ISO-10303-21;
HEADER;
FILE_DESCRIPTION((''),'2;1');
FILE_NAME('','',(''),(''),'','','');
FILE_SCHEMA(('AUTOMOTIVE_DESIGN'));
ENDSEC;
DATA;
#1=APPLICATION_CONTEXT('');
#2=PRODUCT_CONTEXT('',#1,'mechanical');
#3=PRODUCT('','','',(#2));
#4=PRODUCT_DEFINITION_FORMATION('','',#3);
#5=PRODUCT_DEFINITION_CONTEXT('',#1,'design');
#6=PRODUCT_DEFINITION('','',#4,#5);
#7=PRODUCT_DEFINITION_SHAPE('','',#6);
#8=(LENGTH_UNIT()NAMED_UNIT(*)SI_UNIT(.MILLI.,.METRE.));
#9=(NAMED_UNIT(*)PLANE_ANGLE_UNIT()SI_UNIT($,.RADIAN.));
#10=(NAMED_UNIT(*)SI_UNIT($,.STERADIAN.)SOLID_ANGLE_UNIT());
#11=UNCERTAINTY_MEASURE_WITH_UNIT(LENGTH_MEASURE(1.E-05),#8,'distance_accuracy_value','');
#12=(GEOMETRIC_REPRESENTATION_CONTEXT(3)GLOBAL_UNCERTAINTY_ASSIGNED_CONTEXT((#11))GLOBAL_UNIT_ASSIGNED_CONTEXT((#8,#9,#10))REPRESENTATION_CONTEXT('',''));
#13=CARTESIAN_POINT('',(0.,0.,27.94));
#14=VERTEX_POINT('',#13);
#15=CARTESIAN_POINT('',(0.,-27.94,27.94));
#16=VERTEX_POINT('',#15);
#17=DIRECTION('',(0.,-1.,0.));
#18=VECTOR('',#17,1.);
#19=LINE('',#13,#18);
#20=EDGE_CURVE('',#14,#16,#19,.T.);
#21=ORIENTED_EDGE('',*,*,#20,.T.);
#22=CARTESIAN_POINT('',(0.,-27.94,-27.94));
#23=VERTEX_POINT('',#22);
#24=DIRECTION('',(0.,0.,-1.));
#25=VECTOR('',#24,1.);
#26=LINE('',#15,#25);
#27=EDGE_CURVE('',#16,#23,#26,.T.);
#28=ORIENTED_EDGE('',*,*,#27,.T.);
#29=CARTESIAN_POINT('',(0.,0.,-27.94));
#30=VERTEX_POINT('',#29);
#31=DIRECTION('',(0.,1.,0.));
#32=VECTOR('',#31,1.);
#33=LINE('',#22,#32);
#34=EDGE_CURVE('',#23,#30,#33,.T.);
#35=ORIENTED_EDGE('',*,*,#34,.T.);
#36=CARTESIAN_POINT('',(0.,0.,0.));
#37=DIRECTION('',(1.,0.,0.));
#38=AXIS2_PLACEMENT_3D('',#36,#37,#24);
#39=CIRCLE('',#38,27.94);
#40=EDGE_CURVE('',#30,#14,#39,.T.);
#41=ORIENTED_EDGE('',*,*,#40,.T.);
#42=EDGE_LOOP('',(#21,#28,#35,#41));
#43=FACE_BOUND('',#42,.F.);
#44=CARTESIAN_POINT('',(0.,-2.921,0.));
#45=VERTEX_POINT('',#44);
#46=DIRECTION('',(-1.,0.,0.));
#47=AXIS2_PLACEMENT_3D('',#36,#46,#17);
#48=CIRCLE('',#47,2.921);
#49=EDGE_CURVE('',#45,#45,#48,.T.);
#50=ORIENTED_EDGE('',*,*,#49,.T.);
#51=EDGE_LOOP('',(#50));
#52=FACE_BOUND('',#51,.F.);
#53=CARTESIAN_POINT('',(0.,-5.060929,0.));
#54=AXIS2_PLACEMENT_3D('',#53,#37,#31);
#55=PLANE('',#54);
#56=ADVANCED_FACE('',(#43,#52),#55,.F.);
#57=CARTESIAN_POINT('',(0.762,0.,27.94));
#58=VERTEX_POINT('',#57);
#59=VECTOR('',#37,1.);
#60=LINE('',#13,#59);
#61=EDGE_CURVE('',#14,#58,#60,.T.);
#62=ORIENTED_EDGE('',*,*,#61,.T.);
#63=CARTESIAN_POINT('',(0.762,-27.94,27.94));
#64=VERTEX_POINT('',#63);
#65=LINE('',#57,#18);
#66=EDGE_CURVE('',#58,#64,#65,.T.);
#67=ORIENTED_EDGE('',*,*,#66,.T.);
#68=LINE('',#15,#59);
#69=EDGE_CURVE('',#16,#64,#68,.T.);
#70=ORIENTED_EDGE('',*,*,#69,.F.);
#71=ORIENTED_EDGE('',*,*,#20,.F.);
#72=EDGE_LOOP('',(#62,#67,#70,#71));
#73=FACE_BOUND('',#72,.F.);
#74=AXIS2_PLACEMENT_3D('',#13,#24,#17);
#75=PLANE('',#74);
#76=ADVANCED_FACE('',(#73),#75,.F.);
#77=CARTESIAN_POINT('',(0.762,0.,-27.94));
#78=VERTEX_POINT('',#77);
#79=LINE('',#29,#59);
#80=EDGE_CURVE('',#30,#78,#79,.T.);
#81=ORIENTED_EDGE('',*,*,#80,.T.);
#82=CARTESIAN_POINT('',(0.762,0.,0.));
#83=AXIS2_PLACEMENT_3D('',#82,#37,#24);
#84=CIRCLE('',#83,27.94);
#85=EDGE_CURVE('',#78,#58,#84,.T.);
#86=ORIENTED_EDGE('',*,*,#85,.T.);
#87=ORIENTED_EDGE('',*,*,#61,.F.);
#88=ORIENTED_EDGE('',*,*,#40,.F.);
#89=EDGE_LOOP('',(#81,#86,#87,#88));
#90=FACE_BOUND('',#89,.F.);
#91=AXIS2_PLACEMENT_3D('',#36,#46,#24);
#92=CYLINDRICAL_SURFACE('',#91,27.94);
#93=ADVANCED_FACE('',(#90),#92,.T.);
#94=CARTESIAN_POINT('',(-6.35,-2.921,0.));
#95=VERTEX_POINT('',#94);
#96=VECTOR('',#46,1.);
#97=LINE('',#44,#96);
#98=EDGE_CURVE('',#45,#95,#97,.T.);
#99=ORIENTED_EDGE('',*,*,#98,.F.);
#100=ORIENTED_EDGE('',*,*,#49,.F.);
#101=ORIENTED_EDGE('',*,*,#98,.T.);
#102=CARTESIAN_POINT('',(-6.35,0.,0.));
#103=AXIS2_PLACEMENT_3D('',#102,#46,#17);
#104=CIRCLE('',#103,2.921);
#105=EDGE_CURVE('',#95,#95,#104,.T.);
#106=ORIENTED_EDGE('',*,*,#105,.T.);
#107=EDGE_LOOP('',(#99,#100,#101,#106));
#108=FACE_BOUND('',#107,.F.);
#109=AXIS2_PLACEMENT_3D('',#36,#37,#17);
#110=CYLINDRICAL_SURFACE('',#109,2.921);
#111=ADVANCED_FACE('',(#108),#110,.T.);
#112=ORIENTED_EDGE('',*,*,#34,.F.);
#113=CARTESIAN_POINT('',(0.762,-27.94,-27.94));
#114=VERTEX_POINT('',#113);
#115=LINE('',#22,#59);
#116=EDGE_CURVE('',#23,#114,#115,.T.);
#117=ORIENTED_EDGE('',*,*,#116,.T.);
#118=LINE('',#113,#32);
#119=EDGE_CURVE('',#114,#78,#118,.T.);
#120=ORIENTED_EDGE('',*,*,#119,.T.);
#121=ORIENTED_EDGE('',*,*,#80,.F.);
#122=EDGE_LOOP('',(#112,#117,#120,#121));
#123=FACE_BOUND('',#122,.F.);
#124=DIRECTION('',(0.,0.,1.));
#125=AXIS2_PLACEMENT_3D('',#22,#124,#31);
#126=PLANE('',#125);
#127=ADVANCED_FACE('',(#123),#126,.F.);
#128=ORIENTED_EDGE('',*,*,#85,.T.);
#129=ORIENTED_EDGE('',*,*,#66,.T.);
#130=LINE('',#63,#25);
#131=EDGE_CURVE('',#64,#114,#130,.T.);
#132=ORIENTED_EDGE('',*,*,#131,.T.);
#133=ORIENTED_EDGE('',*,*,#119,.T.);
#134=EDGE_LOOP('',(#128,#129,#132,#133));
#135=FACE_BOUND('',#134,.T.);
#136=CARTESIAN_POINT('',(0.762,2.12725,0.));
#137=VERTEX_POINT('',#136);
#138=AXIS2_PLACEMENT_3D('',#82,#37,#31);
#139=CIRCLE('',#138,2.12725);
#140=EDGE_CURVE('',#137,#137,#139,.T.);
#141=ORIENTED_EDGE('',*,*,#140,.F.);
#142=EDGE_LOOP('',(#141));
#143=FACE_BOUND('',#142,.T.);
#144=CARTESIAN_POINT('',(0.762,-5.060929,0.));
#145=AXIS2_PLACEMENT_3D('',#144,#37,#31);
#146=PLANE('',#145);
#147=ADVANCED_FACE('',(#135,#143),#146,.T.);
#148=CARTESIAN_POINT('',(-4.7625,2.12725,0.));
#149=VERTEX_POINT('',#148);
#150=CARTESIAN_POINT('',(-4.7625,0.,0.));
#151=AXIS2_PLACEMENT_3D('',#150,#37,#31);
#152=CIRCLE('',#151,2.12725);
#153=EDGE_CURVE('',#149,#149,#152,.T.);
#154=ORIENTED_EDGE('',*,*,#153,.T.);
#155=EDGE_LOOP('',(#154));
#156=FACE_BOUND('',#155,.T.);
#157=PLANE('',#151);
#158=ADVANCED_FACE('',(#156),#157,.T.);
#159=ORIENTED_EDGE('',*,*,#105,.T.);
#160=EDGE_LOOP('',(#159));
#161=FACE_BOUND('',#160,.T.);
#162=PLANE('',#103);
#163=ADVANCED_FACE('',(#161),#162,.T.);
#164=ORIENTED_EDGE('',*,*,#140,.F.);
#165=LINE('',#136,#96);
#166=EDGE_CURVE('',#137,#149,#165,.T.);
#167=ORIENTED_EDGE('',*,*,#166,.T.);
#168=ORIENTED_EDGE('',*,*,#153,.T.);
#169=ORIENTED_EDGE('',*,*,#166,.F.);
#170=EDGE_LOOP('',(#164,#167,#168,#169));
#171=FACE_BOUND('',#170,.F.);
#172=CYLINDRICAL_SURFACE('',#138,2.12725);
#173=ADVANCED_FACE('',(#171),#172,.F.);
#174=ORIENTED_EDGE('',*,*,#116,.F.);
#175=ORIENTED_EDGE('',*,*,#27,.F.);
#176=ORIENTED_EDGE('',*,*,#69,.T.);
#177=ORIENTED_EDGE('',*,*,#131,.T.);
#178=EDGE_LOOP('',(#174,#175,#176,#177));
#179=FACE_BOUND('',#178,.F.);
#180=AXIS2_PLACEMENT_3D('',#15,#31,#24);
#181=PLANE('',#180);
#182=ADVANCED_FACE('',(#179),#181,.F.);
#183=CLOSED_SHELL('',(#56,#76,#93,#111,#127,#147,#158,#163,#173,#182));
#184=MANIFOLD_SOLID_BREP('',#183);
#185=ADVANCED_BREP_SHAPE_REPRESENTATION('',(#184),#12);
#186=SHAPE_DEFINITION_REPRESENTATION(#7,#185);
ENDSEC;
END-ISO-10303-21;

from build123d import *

# Parameters (mm, degrees)
F1_DEPTH = 0.762
F2_R     = 2.921
F3_DEPTH = 6.35
F4_R     = 2.12725
F5_DEPTH = 5.5245


with BuildPart() as f1:
    # F0 (on Right) → F1 (new body)
    with BuildSketch(Plane.YZ):
        with BuildLine():
            Line((-27.94, -27.94), (0, -27.94))
            ThreePointArc((0, -27.94), (27.94, 0), (0, 27.94))
            Line((0, 27.94), (-27.94, 27.94))
            Line((-27.94, 27.94), (-27.94, -27.94))
        make_face()
    extrude(amount=F1_DEPTH)

    # F2 (on face) → F3 (join)
    with BuildSketch(Plane(origin=(0, 0, 0), x_dir=(0, -1, 0), z_dir=(-1, 0, 0))):
        Circle(F2_R)
    extrude(amount=F3_DEPTH)

    # F4 (on face) → F5 (cut)
    with BuildSketch(Plane.YZ.offset(0.762)):
        Circle(F4_R)
    extrude(amount=-F5_DEPTH, mode=Mode.SUBTRACT)


solid = f1.part
